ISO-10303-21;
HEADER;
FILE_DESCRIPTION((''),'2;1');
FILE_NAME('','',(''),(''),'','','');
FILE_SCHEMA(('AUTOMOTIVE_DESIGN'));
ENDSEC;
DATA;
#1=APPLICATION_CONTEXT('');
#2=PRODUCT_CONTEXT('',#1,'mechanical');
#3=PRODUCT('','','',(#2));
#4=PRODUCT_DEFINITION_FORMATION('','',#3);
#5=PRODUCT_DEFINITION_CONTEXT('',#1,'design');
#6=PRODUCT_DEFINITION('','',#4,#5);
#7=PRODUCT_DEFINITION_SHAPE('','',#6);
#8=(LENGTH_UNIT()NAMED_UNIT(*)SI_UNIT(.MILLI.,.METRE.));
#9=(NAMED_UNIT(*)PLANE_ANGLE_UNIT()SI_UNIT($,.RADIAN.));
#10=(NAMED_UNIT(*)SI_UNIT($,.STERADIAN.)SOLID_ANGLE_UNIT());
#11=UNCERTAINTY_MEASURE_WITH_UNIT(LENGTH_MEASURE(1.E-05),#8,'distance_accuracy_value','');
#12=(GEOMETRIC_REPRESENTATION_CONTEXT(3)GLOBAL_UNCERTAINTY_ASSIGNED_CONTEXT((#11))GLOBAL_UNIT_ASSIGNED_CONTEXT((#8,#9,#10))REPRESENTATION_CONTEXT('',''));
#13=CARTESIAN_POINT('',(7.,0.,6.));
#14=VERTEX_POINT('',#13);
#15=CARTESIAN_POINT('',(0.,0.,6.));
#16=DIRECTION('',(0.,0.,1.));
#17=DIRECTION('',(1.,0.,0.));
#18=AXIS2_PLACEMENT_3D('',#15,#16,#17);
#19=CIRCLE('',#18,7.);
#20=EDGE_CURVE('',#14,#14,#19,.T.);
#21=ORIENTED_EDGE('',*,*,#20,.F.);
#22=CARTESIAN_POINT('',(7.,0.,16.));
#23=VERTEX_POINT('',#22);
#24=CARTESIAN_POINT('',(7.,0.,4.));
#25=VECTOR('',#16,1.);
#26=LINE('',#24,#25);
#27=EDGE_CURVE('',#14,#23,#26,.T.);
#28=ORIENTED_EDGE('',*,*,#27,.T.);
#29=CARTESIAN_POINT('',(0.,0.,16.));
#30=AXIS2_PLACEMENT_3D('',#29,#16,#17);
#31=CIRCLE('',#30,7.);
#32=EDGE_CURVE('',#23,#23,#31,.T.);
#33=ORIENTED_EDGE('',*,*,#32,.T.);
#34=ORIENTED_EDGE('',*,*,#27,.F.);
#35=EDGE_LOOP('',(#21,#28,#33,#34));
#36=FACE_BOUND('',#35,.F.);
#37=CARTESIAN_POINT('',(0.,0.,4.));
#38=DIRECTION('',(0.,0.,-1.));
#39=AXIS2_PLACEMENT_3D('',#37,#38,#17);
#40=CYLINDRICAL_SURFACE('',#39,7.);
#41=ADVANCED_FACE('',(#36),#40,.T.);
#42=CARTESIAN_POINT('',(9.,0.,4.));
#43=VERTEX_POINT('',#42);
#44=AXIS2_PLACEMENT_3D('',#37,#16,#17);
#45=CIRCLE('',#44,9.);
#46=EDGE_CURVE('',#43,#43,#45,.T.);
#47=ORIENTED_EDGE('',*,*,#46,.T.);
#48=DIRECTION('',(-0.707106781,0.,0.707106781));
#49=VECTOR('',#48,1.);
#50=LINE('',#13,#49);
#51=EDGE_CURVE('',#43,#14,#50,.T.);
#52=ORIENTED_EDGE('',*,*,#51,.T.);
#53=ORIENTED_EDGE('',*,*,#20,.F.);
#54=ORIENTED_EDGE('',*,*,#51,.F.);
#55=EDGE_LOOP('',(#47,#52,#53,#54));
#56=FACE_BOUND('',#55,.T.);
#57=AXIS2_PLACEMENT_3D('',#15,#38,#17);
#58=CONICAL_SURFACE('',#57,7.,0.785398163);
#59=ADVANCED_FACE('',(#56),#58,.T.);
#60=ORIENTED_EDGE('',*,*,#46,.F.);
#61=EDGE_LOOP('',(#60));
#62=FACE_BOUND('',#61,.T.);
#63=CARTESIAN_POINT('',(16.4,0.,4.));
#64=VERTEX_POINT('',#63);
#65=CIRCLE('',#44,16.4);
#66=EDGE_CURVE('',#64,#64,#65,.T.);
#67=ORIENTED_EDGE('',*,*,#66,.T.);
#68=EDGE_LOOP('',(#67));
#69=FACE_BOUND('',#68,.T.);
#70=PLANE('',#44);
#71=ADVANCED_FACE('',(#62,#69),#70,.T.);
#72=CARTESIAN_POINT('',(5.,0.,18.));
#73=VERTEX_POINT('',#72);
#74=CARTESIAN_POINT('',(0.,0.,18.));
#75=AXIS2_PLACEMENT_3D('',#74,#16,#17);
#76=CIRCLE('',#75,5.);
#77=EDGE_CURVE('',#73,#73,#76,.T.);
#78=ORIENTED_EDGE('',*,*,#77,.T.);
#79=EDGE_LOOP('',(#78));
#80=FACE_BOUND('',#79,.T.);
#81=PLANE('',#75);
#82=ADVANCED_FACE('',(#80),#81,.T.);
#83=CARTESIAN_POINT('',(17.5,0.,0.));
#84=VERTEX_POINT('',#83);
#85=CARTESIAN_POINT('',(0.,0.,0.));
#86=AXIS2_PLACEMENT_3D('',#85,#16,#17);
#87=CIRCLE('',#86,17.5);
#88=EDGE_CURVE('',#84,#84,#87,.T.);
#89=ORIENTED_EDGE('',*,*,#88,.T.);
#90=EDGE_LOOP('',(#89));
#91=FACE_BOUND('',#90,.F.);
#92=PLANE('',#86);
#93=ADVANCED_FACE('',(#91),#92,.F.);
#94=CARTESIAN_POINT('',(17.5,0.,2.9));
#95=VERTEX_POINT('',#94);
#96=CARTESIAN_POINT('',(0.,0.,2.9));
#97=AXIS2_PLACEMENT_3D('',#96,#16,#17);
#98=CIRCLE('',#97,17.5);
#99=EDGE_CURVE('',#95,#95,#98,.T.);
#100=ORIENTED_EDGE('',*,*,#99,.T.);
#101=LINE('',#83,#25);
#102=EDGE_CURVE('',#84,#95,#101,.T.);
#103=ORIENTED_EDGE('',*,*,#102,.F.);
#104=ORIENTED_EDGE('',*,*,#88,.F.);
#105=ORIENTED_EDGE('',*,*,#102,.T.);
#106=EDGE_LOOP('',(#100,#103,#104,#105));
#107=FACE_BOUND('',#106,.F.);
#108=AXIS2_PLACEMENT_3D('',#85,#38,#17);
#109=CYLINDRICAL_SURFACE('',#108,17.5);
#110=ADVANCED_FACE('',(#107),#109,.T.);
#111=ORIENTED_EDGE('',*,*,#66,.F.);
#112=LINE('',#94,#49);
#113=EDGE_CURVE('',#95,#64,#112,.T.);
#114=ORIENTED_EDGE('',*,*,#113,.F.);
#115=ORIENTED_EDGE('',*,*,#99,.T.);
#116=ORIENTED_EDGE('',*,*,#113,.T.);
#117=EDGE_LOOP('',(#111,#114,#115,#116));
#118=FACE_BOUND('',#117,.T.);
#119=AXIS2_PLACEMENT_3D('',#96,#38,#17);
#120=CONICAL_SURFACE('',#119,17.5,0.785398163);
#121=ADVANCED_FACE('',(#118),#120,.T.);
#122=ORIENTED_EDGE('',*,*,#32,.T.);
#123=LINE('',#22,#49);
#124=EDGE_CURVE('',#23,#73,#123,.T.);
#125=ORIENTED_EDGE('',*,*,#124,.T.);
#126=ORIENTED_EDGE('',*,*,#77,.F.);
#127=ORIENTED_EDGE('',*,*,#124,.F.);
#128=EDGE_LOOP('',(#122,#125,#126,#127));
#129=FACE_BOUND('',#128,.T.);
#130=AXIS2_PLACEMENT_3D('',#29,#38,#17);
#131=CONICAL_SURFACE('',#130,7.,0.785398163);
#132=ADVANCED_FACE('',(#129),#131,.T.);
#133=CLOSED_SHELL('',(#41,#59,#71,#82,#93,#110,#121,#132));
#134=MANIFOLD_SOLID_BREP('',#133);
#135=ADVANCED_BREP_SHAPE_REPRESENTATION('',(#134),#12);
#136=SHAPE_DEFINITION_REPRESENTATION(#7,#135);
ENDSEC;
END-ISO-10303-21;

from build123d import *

# Parameters (mm, degrees)
F0_R     = 17.5
F1_DEPTH = 4
F2_R     = 7
F3_DEPTH = 14
F4_SIZE  = 1.1
F5_SIZE  = 2


with BuildPart() as f1:
    # F0 (on Top) → F1 (new body)
    with BuildSketch(Plane.XY):
        Circle(F0_R)
    extrude(amount=F1_DEPTH)

    # F2 (on face) → F3 (join)
    with BuildSketch(Plane.XY.offset(4)):
        Circle(F2_R)
    extrude(amount=F3_DEPTH)

    # F4
    f4_edges = [f1.edges().sort_by_distance(p)[0] for p in [
        (-17.5, 0, 4),
    ]]
    chamfer(f4_edges, length=F4_SIZE)

    # F5
    f5_edges = [f1.edges().sort_by_distance(p)[0] for p in [
        (-7, 0, 18),
        (-7, 0, 4),
    ]]
    chamfer(f5_edges, length=F5_SIZE)


solid = f1.part
